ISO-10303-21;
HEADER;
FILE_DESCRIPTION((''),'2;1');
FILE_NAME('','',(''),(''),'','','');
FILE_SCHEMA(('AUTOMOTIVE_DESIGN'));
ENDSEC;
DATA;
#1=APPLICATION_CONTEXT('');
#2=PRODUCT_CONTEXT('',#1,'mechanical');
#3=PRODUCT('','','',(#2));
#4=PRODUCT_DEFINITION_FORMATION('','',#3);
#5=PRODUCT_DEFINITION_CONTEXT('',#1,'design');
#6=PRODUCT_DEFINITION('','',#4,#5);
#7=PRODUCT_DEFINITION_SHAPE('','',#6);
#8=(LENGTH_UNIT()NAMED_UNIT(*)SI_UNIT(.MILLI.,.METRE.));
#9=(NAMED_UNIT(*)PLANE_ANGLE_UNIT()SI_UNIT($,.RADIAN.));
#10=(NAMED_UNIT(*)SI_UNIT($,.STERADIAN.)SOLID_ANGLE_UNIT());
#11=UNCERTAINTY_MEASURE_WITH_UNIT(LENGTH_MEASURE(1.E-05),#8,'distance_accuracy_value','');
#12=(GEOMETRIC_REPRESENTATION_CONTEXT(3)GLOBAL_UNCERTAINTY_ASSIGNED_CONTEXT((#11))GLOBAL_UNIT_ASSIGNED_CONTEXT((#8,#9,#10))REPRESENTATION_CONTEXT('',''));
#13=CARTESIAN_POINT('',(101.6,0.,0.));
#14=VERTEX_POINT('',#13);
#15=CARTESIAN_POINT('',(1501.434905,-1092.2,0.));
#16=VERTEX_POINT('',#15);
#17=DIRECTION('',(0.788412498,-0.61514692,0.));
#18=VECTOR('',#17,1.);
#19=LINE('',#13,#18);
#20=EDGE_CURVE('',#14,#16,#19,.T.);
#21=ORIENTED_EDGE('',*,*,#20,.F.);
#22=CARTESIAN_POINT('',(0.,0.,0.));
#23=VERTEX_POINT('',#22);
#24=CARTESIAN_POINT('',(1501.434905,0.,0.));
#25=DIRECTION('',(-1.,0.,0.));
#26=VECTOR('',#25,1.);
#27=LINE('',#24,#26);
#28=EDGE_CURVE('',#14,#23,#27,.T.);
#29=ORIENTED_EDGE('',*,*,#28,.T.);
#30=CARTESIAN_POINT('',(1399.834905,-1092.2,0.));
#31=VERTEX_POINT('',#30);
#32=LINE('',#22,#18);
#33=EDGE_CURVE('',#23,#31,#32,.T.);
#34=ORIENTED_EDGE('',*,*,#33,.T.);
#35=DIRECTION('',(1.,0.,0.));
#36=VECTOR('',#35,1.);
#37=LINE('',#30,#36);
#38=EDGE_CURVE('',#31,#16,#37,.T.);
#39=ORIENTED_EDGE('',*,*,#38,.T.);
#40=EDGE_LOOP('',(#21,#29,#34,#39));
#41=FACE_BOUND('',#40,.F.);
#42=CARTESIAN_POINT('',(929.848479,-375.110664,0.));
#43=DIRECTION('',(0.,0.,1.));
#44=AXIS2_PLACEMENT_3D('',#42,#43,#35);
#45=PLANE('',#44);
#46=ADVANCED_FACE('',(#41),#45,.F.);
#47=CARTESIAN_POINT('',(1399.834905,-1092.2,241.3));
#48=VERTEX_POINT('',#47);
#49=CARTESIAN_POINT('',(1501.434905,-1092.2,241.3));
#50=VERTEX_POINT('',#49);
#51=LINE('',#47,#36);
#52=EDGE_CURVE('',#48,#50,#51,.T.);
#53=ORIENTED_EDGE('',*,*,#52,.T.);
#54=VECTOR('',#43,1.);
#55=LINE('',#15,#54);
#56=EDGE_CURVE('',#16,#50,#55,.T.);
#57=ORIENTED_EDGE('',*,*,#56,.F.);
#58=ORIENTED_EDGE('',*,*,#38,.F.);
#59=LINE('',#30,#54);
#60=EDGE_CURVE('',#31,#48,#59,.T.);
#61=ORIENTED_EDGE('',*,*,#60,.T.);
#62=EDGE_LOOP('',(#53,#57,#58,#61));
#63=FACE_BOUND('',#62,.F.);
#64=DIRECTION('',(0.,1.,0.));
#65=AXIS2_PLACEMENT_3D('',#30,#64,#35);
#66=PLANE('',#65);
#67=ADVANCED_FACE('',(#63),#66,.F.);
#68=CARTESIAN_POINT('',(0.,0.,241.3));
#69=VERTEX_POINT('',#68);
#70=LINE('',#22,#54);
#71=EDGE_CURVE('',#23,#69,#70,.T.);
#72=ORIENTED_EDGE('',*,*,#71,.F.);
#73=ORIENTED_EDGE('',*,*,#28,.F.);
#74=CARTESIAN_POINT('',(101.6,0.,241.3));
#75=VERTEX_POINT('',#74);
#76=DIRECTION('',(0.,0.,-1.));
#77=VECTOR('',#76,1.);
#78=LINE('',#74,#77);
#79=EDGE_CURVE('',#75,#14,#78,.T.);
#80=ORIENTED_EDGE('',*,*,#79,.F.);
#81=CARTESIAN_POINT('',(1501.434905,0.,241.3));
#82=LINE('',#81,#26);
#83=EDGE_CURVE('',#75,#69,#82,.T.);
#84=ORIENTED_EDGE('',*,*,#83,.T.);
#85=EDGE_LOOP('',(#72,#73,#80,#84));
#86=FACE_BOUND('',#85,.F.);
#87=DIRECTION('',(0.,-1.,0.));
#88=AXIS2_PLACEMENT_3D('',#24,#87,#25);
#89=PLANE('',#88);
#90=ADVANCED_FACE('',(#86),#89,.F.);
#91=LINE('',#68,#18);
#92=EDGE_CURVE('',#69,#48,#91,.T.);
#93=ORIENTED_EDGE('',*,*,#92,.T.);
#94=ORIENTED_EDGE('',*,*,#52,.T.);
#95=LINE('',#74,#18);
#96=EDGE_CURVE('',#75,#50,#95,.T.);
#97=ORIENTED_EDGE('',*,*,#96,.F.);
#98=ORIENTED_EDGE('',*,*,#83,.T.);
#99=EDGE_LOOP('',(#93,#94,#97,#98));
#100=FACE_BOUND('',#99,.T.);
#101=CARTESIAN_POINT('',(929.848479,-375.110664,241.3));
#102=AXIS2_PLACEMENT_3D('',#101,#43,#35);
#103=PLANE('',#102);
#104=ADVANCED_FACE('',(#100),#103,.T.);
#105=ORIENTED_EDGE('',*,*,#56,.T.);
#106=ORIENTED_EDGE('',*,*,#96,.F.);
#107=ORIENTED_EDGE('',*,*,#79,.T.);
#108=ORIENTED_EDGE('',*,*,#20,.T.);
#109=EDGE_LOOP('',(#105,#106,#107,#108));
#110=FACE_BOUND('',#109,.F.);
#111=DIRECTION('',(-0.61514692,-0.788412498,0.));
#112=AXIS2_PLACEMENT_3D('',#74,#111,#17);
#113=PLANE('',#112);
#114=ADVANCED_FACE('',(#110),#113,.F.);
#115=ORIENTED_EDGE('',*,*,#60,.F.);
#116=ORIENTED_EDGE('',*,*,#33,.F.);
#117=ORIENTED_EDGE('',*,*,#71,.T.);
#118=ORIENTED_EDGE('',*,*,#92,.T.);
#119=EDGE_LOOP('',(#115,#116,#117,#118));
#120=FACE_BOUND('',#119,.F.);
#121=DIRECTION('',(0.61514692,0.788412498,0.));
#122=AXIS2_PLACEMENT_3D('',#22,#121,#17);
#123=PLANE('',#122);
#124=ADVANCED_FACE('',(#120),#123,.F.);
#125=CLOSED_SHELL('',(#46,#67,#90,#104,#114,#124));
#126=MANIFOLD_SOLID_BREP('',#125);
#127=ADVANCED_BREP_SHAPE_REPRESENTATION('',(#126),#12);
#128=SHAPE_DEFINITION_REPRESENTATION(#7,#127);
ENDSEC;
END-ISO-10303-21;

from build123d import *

# Parameters (mm, degrees)
F1_DEPTH = 241.3
F3_DEPTH = 241.3


with BuildPart() as f1:
    # F0 (on Top) → F1 (new body)
    with BuildSketch(Plane.XY):
        Polygon((1501.434905, 0), (0, 0), (1399.834905, -1092.2), (1501.434905, -1092.2), align=None)
    extrude(amount=F1_DEPTH)

    # F2 (on face) → F3 (cut)
    with BuildSketch(Plane.XY.offset(241.3)):
        Polygon((1501.434905, -1092.2), (1501.434905, 0), (101.6, 0), align=None)
    extrude(amount=-F3_DEPTH, mode=Mode.SUBTRACT)


solid = f1.part
